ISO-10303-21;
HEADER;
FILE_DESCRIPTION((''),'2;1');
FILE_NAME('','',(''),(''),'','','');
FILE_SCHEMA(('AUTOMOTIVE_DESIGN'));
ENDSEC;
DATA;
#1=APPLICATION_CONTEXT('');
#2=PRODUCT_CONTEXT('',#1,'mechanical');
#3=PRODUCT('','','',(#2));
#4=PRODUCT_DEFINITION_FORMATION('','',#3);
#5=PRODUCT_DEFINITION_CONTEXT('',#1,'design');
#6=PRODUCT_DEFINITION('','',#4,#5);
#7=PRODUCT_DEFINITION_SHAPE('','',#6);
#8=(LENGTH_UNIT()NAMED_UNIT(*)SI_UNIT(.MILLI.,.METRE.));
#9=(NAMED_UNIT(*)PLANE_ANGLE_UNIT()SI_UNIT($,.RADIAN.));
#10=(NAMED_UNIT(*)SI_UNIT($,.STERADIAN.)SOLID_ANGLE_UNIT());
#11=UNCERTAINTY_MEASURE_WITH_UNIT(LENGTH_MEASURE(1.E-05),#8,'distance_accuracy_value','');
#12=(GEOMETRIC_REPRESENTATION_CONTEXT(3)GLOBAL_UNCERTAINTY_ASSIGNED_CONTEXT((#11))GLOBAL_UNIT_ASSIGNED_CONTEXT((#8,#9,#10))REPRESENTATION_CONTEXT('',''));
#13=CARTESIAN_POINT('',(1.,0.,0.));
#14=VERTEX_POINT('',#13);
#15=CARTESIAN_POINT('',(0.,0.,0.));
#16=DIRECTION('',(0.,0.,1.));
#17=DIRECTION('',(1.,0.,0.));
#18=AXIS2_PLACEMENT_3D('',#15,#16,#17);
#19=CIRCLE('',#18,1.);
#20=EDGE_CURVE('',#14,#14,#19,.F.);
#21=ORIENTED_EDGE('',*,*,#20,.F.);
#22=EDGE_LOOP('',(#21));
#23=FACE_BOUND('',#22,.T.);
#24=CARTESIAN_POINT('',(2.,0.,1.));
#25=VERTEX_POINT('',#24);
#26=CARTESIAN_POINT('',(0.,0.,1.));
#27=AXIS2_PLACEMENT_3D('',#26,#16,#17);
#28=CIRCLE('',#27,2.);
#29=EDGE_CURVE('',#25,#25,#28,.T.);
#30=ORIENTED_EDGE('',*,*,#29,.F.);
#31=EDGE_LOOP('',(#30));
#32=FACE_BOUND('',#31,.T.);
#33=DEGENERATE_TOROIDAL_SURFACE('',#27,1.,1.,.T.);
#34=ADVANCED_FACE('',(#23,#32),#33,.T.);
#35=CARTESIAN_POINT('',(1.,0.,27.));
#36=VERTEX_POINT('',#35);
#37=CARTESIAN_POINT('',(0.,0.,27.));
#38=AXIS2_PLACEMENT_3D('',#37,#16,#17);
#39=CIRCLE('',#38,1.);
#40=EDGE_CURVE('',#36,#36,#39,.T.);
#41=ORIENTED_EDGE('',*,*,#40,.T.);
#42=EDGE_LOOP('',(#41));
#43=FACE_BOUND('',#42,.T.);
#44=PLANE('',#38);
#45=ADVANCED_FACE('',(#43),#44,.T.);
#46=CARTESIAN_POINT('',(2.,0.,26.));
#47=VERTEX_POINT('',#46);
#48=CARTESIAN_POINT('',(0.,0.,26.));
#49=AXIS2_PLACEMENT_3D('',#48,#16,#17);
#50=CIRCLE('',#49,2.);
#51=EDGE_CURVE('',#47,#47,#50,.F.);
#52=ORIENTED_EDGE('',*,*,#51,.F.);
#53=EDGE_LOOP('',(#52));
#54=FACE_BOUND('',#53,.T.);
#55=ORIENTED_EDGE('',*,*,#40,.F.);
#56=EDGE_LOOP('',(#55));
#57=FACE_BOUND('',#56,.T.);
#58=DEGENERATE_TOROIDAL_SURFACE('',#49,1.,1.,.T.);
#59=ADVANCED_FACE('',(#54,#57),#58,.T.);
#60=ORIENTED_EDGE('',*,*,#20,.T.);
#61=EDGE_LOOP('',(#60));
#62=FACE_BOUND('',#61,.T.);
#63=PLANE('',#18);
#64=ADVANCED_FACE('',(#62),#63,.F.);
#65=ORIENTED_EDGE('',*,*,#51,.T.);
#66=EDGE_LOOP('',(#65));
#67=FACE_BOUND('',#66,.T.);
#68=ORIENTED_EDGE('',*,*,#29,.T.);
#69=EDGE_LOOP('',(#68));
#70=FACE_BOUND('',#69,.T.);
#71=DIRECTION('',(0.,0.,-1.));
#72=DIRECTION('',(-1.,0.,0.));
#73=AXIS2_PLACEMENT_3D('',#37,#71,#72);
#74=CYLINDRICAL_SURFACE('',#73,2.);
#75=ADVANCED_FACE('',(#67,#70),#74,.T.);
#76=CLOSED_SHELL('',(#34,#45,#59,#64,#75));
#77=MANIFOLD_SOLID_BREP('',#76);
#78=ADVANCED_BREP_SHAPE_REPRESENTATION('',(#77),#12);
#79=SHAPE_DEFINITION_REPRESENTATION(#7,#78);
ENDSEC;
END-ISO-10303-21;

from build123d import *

# Parameters (mm, degrees)
ESQUISSE1_R          = 2
BASE_EXTRUSION_DEPTH = 27
CONG_1_R             = 1


with BuildPart() as part:
    # Esquisse1 → Base-Extrusion (new body)
    with BuildSketch(Plane.XY):
        Circle(ESQUISSE1_R)
    extrude(amount=BASE_EXTRUSION_DEPTH)

    # Congé1
    cong_1_edges = [part.edges().sort_by_distance(p)[0] for p in [
        (-2, 0, 0),
        (-2, 0, 27),
    ]]
    fillet(cong_1_edges, radius=CONG_1_R)


solid = part.part
